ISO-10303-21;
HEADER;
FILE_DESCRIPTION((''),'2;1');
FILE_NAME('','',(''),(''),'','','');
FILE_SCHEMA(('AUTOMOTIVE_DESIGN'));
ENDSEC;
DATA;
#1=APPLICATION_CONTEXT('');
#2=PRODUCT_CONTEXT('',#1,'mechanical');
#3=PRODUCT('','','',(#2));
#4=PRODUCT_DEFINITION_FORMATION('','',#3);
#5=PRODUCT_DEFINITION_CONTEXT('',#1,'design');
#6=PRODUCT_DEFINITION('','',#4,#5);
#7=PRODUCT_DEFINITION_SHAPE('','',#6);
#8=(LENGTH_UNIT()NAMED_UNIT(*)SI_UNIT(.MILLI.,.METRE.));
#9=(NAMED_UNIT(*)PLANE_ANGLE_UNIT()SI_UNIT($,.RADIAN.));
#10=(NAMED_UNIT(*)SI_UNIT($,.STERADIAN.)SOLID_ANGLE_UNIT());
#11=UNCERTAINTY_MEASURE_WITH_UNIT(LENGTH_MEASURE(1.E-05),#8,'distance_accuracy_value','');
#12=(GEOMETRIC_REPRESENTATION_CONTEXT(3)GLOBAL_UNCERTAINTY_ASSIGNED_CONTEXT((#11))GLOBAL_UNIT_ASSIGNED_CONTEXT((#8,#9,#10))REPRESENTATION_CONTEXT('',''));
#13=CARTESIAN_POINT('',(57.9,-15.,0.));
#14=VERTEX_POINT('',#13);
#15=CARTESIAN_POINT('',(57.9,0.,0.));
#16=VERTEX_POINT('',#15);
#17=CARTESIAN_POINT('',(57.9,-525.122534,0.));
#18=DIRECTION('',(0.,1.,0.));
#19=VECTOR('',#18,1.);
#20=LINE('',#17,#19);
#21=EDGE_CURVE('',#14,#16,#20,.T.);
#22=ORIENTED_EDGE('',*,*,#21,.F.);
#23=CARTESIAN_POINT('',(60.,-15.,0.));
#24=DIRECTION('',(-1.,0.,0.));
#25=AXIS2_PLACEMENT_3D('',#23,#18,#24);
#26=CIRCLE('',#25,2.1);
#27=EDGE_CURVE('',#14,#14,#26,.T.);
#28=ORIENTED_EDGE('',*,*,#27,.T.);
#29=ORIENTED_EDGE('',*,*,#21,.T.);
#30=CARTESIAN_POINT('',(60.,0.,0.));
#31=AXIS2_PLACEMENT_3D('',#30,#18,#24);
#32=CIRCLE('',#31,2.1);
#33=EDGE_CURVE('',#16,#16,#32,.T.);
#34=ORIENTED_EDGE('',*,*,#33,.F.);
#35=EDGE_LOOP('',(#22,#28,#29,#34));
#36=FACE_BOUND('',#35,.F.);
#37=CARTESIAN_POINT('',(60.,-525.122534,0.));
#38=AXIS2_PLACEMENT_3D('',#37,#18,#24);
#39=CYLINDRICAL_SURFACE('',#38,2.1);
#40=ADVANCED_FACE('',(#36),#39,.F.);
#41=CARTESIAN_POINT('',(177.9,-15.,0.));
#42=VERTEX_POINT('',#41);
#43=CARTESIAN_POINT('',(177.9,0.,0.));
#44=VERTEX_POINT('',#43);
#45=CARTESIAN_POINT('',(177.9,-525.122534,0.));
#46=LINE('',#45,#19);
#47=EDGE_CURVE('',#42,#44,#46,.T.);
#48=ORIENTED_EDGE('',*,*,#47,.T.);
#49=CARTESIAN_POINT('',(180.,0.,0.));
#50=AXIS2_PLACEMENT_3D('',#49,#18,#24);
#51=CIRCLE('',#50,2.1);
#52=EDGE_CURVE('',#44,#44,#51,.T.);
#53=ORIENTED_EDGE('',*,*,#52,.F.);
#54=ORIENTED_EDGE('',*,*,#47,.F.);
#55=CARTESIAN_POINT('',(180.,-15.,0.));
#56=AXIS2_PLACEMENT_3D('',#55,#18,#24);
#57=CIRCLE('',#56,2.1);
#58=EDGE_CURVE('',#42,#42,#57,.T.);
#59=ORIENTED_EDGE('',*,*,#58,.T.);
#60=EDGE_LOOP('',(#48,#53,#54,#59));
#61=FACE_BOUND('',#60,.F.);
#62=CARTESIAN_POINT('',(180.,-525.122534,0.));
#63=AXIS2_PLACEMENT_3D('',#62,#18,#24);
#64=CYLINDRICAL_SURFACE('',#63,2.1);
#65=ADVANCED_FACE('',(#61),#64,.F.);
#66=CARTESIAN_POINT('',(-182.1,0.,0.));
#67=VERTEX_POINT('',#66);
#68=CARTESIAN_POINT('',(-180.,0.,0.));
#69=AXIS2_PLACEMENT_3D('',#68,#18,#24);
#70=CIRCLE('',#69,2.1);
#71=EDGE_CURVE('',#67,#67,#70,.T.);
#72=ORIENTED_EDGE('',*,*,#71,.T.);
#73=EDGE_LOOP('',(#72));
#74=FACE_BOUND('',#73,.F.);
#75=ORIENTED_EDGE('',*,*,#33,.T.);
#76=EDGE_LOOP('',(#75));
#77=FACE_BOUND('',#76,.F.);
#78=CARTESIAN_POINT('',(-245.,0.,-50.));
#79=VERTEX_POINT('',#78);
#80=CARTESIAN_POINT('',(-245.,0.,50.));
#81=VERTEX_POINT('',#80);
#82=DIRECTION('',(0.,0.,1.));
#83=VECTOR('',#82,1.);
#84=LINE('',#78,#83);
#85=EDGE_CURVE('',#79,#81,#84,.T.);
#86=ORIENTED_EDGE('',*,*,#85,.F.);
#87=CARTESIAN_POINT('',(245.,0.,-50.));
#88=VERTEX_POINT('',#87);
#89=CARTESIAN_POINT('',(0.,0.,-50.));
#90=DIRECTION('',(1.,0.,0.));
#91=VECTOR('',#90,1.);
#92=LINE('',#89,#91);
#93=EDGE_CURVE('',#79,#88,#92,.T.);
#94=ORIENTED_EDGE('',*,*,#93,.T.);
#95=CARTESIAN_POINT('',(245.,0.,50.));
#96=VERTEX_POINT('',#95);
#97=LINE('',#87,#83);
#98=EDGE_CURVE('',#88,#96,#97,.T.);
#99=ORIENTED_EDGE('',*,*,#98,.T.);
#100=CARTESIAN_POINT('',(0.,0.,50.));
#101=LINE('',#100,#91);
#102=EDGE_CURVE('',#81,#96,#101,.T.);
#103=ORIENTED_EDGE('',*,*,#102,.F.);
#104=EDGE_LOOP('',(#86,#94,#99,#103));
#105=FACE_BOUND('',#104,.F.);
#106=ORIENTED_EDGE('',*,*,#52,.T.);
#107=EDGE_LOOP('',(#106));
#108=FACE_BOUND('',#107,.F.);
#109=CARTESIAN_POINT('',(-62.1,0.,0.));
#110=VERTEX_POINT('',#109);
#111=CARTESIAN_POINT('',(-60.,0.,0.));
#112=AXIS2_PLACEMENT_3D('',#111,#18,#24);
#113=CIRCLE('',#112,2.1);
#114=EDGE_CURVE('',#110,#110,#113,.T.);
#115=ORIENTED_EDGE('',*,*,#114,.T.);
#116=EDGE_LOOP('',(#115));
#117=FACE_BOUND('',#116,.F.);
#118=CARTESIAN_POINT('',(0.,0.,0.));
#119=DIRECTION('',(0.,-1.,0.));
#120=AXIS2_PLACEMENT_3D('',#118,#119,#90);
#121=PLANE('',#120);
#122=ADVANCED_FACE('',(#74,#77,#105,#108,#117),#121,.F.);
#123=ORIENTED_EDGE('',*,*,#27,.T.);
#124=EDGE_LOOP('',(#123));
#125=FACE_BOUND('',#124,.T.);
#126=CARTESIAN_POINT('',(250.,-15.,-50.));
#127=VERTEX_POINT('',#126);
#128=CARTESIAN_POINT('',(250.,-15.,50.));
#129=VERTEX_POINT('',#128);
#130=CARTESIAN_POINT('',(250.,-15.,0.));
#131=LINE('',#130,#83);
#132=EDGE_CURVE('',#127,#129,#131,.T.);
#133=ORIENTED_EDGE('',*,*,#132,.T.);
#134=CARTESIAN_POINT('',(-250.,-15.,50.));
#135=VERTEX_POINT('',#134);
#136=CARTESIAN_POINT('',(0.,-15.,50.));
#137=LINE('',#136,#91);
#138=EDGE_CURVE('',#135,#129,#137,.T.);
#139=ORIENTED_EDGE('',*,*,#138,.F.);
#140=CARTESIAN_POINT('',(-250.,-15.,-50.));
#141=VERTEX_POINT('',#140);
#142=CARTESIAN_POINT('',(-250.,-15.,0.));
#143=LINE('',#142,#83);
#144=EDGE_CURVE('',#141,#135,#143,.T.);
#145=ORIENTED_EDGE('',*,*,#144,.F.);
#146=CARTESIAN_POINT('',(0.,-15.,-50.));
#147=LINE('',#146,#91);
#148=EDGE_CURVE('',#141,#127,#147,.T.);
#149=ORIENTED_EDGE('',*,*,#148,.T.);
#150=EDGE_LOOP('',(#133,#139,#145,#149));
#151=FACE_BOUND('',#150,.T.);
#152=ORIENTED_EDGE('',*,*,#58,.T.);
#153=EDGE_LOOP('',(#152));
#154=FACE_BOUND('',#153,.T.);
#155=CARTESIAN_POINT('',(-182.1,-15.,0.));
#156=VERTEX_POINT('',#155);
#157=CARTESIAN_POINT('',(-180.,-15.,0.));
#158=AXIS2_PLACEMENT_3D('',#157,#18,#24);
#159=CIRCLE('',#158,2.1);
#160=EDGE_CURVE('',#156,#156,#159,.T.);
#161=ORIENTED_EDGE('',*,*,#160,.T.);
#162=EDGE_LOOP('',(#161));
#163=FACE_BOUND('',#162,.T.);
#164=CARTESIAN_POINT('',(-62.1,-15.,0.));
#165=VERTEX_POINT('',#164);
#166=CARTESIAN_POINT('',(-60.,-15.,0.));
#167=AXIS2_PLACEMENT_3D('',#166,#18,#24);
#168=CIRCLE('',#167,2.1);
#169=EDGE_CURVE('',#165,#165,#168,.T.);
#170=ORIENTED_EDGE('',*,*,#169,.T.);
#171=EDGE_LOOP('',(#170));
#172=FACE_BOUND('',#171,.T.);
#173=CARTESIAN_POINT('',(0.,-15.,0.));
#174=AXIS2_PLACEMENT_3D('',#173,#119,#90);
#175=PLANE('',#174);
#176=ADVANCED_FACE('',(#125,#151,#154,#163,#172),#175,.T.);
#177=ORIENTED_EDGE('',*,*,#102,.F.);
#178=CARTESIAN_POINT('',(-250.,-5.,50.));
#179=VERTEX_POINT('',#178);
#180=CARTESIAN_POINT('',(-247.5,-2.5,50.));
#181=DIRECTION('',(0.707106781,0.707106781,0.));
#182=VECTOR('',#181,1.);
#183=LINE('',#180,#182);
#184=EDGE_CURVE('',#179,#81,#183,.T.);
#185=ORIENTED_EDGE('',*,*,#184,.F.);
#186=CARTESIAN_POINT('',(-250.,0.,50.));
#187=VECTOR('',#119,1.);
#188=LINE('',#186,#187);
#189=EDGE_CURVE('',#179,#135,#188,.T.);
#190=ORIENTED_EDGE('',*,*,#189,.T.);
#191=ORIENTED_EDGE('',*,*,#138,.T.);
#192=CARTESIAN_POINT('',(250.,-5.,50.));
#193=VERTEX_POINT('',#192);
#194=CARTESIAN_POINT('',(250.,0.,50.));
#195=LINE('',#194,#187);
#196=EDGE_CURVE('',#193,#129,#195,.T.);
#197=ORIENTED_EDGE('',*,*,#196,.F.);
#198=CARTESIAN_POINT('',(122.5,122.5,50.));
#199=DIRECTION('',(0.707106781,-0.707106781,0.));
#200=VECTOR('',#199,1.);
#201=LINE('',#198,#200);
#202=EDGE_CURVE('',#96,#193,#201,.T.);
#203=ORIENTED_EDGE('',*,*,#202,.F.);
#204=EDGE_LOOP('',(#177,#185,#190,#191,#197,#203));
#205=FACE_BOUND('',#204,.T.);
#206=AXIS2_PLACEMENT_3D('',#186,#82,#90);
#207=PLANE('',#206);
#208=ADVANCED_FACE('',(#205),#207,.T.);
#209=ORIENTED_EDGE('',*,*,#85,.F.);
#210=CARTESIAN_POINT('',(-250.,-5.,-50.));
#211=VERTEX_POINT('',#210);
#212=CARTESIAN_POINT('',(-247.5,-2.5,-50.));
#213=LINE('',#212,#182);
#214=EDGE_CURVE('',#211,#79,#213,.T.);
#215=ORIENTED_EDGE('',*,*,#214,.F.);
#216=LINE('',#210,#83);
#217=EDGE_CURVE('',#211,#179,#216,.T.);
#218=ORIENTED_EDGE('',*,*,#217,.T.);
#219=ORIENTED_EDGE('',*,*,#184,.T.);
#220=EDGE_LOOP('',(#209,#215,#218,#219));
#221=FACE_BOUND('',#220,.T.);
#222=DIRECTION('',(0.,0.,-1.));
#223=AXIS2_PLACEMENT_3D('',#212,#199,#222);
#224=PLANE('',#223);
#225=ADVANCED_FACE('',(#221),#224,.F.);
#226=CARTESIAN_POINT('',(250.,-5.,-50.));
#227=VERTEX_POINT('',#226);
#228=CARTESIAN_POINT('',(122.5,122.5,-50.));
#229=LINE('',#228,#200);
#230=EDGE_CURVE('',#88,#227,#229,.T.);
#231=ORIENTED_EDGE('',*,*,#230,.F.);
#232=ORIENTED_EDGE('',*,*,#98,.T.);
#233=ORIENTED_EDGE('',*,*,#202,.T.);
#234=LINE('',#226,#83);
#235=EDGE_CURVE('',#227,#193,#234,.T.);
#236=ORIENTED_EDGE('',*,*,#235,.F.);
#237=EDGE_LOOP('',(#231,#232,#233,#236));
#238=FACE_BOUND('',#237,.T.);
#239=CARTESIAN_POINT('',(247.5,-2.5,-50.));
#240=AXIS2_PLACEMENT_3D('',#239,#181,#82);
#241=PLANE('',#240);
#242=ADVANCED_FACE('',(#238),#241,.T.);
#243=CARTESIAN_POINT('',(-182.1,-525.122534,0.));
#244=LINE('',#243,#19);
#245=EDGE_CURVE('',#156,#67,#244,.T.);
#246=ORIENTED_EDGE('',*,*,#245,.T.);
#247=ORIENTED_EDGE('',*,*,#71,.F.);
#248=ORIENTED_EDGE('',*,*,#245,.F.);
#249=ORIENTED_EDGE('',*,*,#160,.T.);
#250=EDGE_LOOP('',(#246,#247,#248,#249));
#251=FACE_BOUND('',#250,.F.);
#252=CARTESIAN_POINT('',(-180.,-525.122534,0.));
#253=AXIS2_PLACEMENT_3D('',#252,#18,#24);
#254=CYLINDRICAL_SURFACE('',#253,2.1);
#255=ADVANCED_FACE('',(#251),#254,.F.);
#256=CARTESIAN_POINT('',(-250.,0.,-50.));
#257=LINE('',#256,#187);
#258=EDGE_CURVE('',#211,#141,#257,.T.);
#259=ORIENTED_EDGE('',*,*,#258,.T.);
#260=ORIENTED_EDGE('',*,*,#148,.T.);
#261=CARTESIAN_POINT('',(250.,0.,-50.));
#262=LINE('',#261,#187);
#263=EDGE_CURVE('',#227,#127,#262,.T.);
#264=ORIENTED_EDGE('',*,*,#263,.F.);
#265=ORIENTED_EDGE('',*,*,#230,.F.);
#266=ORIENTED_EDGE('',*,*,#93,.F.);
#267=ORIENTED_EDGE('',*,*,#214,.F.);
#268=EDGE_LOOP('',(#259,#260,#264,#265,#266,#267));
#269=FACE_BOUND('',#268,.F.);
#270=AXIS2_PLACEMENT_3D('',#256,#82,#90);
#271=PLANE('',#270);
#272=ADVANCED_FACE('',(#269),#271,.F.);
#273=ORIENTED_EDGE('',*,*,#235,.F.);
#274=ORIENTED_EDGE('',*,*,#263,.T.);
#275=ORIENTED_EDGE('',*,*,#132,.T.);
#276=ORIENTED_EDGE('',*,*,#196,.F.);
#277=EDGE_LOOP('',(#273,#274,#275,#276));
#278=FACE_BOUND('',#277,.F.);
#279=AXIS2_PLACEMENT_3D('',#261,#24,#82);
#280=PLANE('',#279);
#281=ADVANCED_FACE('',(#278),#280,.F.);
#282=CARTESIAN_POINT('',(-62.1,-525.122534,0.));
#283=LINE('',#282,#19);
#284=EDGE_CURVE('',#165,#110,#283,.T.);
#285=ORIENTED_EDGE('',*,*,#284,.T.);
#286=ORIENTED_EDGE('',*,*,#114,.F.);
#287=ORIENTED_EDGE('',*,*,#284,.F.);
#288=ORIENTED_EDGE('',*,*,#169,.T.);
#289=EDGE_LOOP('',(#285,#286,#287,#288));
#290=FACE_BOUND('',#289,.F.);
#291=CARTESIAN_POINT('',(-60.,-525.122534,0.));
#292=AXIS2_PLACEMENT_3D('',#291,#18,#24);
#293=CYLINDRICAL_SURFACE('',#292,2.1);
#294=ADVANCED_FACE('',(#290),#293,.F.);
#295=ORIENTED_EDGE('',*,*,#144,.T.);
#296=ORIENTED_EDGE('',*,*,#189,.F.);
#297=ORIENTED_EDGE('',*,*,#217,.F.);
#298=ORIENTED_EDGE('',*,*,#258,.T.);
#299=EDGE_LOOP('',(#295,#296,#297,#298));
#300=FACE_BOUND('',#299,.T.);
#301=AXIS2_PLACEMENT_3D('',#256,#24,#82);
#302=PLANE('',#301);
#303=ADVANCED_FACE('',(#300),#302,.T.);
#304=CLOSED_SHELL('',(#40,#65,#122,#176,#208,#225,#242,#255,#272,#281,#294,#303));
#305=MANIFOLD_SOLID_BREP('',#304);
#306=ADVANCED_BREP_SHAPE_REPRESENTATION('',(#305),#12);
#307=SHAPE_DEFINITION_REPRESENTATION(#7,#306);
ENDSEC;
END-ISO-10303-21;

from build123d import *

# Parameters (mm, degrees)
F0_W     = 500
F0_H     = 100
F1_DEPTH = 15
F3_D     = 4.2
F4_SIZE  = 5


with BuildPart() as f1:
    # F0 (on Front) → F1 (new body)
    with BuildSketch(Plane.XZ):
        Rectangle(F0_W, F0_H)
    extrude(amount=F1_DEPTH)

    # F3 (through all)
    with Locations(Plane.XZ.offset(15)):
        with Locations((-180, 0), (-60, 0), (60, 0), (180, 0)):
            Hole(F3_D / 2)

    # F4
    f4_edges = [f1.edges().sort_by_distance(p)[0] for p in [
        (-250, 0, 0),
        (250, 0, 0),
    ]]
    chamfer(f4_edges, length=F4_SIZE)


solid = f1.part
